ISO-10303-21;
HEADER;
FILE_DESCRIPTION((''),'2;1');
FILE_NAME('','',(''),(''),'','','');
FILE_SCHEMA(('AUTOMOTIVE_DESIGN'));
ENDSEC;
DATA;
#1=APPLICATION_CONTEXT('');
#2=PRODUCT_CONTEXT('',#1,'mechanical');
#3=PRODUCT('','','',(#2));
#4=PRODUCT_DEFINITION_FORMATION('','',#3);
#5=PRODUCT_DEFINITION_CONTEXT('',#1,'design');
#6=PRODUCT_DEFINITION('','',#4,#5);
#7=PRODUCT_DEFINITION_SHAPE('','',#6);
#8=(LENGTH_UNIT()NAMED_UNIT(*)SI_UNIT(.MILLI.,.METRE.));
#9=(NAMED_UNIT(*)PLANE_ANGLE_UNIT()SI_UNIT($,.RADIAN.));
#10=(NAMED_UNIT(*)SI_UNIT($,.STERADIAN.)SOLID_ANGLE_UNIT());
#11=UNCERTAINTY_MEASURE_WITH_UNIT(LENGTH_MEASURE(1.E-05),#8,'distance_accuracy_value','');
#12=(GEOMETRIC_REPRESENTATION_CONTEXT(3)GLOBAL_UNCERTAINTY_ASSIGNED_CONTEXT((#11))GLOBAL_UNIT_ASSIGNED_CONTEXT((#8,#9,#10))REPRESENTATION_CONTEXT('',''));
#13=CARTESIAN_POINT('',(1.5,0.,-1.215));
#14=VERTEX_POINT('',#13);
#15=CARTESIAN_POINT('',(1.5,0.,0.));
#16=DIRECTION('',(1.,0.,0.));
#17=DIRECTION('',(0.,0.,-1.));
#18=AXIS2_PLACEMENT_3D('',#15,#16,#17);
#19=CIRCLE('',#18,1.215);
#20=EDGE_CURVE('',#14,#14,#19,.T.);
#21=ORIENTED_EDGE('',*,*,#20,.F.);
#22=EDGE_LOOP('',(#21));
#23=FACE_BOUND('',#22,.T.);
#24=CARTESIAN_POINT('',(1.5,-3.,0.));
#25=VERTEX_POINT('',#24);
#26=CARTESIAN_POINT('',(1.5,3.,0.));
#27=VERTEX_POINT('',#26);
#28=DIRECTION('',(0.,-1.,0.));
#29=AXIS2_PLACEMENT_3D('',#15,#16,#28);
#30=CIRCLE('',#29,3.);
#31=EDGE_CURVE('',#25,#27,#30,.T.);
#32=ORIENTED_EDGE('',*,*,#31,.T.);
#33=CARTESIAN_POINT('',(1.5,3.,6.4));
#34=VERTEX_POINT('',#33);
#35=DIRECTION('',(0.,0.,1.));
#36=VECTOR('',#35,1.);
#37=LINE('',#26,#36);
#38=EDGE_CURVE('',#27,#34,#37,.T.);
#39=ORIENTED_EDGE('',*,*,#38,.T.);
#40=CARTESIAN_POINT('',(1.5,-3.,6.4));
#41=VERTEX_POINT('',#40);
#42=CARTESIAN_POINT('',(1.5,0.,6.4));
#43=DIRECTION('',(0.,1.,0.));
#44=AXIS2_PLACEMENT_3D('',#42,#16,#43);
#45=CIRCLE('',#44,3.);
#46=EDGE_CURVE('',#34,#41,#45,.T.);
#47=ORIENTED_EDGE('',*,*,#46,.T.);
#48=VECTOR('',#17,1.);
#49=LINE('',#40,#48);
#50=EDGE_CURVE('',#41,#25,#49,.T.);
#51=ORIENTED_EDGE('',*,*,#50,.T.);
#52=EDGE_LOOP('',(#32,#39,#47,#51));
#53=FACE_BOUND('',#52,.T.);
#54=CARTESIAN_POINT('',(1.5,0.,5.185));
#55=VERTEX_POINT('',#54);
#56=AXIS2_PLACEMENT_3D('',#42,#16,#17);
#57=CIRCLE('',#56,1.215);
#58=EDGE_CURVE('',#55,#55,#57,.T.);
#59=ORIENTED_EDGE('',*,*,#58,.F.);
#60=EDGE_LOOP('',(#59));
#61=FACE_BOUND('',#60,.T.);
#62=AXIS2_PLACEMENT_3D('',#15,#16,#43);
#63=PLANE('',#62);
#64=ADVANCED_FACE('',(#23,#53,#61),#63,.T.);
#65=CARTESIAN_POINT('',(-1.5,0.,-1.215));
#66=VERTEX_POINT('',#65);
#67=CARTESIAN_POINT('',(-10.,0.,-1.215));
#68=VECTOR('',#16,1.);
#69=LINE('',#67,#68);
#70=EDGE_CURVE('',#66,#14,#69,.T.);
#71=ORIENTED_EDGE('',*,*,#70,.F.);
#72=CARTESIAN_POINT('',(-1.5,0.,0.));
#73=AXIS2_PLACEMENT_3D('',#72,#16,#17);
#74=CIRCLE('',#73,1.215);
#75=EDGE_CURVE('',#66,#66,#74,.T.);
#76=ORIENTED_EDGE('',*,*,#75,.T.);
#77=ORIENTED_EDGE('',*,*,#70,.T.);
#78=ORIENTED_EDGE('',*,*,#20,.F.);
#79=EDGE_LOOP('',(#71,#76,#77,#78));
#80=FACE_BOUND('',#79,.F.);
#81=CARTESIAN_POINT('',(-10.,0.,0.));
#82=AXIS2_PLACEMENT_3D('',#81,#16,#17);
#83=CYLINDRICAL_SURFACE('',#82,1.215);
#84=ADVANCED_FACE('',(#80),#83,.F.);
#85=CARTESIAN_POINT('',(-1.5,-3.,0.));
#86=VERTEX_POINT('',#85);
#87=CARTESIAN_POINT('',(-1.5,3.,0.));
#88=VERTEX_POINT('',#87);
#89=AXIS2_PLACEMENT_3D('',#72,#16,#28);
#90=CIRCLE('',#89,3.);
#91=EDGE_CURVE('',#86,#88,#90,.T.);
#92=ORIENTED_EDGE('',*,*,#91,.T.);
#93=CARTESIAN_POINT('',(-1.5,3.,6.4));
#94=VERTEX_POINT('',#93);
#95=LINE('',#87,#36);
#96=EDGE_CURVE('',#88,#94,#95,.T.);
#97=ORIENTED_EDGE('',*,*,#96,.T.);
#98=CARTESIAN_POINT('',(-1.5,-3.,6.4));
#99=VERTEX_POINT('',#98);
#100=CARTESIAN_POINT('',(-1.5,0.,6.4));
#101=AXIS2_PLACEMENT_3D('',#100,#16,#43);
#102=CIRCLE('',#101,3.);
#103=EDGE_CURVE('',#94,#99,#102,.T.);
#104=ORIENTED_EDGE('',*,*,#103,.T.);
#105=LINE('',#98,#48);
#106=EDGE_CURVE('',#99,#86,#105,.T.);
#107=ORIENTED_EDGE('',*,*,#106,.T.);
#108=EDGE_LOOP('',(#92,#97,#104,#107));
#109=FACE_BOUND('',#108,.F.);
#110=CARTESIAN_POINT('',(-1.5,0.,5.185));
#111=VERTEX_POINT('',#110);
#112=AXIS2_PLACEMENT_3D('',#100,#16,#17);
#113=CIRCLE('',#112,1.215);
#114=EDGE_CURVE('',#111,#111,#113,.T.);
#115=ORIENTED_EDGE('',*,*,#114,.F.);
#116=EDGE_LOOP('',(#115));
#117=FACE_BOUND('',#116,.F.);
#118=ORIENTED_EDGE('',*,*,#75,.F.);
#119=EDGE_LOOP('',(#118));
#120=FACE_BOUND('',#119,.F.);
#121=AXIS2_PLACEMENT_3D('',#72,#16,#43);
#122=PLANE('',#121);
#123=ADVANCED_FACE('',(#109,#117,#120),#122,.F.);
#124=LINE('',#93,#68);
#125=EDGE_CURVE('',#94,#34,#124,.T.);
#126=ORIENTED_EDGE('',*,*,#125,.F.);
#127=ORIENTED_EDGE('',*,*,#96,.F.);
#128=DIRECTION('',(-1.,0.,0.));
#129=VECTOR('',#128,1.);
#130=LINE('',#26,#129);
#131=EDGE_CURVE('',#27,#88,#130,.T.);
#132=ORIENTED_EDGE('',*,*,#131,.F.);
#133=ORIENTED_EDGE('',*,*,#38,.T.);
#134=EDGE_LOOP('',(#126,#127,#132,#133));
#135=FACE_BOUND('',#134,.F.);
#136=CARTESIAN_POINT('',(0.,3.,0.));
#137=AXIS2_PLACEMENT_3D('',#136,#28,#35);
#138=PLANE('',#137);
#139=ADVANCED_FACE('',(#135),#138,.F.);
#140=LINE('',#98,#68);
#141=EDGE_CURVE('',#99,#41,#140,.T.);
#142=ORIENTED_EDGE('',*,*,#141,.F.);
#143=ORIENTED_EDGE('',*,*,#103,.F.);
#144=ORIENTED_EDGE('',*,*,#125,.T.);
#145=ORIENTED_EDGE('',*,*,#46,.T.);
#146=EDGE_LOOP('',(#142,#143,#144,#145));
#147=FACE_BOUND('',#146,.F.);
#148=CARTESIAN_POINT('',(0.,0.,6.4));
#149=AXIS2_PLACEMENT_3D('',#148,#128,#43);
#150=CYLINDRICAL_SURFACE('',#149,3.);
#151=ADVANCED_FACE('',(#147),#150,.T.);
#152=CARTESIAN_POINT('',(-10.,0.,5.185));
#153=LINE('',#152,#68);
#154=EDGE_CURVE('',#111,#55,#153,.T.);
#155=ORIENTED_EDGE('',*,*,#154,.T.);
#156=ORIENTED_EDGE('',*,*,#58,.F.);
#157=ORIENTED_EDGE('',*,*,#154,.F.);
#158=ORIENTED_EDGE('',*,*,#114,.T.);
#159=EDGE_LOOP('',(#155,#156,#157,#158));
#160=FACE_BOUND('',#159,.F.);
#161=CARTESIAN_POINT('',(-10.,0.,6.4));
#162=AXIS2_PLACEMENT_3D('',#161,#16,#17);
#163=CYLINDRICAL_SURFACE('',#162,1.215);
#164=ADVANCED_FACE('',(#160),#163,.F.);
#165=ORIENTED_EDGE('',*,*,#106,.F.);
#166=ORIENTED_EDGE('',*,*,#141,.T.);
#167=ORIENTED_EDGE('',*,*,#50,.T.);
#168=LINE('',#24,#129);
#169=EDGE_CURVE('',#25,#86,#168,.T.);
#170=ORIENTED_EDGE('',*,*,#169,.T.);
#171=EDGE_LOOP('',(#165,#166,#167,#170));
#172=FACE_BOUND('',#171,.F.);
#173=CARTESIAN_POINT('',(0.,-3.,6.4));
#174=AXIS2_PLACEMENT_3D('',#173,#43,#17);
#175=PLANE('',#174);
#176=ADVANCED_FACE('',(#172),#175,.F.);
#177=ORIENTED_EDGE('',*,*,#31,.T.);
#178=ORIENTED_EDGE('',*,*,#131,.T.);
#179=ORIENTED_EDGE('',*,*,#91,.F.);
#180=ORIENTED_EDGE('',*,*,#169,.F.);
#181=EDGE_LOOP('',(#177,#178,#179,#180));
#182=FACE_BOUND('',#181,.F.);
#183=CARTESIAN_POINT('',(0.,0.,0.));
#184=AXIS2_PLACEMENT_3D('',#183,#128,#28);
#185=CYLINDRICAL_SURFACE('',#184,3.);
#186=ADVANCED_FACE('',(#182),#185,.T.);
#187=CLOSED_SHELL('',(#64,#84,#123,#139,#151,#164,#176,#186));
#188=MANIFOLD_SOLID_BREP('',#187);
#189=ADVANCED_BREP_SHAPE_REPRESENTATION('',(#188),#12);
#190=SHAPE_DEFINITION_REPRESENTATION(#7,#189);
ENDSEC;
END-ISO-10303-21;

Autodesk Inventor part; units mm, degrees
sketch "Skizze_1" plane through (0, 0, 0) normal (1, 0, 0) x (0, 1, 0)
  arc A0 (3, 6.4) -> (-3, 6.4) centre (0, 6.4) ccw
  line L0 (-3, 6.4) -> (-3, 0)
  arc A1 (-3, 0) -> (3, 0) centre (0, 0) ccw
  line L1 (3, 0) -> (3, 6.4)
extrude "Extrusion1" add sketch "Skizze_1" along normal mid plane 3
sketch "Skizze_2" plane through (0, 0, 0) normal (0, 1, 0) x (-1, 0, 0)
  line L0 (-10, 0) -> (10, 0)
  line L1 (10, 0) -> (10, -1.215)
  line L2 (10, -1.215) -> (-10, -1.215)
  line L3 (-10, -1.215) -> (-10, 0)
  line L4 (-10, 0) -> (10, 0)
revolve "Revolution1" cut sketch "Skizze_2" angle 360 about axis through (10, 0, 0) along (1, 0, 0)
sketch "Skizze_3" plane through (0, 0, 0) normal (0, 1, 0) x (-1, 0, 0)
  line L0 (-10, 6.4) -> (10, 6.4)
  line L1 (10, 6.4) -> (10, 5.185)
  line L2 (10, 5.185) -> (-10, 5.185)
  line L3 (-10, 5.185) -> (-10, 6.4)
  line L4 (-10, 6.4) -> (10, 6.4)
revolve "Revolution2" cut sketch "Skizze_3" angle 360 about axis through (10, 0, 6.4) along (1, 0, 0)
ref_plane "ZS1_XY" through (0, 0, 0) normal (1, 0, 0) x (0, 0, -1)
ref_plane "ZS1_YZ" through (0, 0, 0) normal (0, 0, -1) x (0, 1, 0)
ref_plane "ZS1_ZX" through (0, 0, 0) normal (0, 1, 0) x (1, 0, 0)
ref_plane "ZS2_XY" through (0, 0, 6.4) normal (1, 0, 0) x (0, 0, -1)
ref_plane "ZS2_YZ" through (0, 0, 6.4) normal (0, 0, -1) x (0, 1, 0)
ref_plane "ZS2_ZX" through (0, 0, 6.4) normal (0, 1, 0) x (1, 0, 0)
properties part number "205-S-ZS"
